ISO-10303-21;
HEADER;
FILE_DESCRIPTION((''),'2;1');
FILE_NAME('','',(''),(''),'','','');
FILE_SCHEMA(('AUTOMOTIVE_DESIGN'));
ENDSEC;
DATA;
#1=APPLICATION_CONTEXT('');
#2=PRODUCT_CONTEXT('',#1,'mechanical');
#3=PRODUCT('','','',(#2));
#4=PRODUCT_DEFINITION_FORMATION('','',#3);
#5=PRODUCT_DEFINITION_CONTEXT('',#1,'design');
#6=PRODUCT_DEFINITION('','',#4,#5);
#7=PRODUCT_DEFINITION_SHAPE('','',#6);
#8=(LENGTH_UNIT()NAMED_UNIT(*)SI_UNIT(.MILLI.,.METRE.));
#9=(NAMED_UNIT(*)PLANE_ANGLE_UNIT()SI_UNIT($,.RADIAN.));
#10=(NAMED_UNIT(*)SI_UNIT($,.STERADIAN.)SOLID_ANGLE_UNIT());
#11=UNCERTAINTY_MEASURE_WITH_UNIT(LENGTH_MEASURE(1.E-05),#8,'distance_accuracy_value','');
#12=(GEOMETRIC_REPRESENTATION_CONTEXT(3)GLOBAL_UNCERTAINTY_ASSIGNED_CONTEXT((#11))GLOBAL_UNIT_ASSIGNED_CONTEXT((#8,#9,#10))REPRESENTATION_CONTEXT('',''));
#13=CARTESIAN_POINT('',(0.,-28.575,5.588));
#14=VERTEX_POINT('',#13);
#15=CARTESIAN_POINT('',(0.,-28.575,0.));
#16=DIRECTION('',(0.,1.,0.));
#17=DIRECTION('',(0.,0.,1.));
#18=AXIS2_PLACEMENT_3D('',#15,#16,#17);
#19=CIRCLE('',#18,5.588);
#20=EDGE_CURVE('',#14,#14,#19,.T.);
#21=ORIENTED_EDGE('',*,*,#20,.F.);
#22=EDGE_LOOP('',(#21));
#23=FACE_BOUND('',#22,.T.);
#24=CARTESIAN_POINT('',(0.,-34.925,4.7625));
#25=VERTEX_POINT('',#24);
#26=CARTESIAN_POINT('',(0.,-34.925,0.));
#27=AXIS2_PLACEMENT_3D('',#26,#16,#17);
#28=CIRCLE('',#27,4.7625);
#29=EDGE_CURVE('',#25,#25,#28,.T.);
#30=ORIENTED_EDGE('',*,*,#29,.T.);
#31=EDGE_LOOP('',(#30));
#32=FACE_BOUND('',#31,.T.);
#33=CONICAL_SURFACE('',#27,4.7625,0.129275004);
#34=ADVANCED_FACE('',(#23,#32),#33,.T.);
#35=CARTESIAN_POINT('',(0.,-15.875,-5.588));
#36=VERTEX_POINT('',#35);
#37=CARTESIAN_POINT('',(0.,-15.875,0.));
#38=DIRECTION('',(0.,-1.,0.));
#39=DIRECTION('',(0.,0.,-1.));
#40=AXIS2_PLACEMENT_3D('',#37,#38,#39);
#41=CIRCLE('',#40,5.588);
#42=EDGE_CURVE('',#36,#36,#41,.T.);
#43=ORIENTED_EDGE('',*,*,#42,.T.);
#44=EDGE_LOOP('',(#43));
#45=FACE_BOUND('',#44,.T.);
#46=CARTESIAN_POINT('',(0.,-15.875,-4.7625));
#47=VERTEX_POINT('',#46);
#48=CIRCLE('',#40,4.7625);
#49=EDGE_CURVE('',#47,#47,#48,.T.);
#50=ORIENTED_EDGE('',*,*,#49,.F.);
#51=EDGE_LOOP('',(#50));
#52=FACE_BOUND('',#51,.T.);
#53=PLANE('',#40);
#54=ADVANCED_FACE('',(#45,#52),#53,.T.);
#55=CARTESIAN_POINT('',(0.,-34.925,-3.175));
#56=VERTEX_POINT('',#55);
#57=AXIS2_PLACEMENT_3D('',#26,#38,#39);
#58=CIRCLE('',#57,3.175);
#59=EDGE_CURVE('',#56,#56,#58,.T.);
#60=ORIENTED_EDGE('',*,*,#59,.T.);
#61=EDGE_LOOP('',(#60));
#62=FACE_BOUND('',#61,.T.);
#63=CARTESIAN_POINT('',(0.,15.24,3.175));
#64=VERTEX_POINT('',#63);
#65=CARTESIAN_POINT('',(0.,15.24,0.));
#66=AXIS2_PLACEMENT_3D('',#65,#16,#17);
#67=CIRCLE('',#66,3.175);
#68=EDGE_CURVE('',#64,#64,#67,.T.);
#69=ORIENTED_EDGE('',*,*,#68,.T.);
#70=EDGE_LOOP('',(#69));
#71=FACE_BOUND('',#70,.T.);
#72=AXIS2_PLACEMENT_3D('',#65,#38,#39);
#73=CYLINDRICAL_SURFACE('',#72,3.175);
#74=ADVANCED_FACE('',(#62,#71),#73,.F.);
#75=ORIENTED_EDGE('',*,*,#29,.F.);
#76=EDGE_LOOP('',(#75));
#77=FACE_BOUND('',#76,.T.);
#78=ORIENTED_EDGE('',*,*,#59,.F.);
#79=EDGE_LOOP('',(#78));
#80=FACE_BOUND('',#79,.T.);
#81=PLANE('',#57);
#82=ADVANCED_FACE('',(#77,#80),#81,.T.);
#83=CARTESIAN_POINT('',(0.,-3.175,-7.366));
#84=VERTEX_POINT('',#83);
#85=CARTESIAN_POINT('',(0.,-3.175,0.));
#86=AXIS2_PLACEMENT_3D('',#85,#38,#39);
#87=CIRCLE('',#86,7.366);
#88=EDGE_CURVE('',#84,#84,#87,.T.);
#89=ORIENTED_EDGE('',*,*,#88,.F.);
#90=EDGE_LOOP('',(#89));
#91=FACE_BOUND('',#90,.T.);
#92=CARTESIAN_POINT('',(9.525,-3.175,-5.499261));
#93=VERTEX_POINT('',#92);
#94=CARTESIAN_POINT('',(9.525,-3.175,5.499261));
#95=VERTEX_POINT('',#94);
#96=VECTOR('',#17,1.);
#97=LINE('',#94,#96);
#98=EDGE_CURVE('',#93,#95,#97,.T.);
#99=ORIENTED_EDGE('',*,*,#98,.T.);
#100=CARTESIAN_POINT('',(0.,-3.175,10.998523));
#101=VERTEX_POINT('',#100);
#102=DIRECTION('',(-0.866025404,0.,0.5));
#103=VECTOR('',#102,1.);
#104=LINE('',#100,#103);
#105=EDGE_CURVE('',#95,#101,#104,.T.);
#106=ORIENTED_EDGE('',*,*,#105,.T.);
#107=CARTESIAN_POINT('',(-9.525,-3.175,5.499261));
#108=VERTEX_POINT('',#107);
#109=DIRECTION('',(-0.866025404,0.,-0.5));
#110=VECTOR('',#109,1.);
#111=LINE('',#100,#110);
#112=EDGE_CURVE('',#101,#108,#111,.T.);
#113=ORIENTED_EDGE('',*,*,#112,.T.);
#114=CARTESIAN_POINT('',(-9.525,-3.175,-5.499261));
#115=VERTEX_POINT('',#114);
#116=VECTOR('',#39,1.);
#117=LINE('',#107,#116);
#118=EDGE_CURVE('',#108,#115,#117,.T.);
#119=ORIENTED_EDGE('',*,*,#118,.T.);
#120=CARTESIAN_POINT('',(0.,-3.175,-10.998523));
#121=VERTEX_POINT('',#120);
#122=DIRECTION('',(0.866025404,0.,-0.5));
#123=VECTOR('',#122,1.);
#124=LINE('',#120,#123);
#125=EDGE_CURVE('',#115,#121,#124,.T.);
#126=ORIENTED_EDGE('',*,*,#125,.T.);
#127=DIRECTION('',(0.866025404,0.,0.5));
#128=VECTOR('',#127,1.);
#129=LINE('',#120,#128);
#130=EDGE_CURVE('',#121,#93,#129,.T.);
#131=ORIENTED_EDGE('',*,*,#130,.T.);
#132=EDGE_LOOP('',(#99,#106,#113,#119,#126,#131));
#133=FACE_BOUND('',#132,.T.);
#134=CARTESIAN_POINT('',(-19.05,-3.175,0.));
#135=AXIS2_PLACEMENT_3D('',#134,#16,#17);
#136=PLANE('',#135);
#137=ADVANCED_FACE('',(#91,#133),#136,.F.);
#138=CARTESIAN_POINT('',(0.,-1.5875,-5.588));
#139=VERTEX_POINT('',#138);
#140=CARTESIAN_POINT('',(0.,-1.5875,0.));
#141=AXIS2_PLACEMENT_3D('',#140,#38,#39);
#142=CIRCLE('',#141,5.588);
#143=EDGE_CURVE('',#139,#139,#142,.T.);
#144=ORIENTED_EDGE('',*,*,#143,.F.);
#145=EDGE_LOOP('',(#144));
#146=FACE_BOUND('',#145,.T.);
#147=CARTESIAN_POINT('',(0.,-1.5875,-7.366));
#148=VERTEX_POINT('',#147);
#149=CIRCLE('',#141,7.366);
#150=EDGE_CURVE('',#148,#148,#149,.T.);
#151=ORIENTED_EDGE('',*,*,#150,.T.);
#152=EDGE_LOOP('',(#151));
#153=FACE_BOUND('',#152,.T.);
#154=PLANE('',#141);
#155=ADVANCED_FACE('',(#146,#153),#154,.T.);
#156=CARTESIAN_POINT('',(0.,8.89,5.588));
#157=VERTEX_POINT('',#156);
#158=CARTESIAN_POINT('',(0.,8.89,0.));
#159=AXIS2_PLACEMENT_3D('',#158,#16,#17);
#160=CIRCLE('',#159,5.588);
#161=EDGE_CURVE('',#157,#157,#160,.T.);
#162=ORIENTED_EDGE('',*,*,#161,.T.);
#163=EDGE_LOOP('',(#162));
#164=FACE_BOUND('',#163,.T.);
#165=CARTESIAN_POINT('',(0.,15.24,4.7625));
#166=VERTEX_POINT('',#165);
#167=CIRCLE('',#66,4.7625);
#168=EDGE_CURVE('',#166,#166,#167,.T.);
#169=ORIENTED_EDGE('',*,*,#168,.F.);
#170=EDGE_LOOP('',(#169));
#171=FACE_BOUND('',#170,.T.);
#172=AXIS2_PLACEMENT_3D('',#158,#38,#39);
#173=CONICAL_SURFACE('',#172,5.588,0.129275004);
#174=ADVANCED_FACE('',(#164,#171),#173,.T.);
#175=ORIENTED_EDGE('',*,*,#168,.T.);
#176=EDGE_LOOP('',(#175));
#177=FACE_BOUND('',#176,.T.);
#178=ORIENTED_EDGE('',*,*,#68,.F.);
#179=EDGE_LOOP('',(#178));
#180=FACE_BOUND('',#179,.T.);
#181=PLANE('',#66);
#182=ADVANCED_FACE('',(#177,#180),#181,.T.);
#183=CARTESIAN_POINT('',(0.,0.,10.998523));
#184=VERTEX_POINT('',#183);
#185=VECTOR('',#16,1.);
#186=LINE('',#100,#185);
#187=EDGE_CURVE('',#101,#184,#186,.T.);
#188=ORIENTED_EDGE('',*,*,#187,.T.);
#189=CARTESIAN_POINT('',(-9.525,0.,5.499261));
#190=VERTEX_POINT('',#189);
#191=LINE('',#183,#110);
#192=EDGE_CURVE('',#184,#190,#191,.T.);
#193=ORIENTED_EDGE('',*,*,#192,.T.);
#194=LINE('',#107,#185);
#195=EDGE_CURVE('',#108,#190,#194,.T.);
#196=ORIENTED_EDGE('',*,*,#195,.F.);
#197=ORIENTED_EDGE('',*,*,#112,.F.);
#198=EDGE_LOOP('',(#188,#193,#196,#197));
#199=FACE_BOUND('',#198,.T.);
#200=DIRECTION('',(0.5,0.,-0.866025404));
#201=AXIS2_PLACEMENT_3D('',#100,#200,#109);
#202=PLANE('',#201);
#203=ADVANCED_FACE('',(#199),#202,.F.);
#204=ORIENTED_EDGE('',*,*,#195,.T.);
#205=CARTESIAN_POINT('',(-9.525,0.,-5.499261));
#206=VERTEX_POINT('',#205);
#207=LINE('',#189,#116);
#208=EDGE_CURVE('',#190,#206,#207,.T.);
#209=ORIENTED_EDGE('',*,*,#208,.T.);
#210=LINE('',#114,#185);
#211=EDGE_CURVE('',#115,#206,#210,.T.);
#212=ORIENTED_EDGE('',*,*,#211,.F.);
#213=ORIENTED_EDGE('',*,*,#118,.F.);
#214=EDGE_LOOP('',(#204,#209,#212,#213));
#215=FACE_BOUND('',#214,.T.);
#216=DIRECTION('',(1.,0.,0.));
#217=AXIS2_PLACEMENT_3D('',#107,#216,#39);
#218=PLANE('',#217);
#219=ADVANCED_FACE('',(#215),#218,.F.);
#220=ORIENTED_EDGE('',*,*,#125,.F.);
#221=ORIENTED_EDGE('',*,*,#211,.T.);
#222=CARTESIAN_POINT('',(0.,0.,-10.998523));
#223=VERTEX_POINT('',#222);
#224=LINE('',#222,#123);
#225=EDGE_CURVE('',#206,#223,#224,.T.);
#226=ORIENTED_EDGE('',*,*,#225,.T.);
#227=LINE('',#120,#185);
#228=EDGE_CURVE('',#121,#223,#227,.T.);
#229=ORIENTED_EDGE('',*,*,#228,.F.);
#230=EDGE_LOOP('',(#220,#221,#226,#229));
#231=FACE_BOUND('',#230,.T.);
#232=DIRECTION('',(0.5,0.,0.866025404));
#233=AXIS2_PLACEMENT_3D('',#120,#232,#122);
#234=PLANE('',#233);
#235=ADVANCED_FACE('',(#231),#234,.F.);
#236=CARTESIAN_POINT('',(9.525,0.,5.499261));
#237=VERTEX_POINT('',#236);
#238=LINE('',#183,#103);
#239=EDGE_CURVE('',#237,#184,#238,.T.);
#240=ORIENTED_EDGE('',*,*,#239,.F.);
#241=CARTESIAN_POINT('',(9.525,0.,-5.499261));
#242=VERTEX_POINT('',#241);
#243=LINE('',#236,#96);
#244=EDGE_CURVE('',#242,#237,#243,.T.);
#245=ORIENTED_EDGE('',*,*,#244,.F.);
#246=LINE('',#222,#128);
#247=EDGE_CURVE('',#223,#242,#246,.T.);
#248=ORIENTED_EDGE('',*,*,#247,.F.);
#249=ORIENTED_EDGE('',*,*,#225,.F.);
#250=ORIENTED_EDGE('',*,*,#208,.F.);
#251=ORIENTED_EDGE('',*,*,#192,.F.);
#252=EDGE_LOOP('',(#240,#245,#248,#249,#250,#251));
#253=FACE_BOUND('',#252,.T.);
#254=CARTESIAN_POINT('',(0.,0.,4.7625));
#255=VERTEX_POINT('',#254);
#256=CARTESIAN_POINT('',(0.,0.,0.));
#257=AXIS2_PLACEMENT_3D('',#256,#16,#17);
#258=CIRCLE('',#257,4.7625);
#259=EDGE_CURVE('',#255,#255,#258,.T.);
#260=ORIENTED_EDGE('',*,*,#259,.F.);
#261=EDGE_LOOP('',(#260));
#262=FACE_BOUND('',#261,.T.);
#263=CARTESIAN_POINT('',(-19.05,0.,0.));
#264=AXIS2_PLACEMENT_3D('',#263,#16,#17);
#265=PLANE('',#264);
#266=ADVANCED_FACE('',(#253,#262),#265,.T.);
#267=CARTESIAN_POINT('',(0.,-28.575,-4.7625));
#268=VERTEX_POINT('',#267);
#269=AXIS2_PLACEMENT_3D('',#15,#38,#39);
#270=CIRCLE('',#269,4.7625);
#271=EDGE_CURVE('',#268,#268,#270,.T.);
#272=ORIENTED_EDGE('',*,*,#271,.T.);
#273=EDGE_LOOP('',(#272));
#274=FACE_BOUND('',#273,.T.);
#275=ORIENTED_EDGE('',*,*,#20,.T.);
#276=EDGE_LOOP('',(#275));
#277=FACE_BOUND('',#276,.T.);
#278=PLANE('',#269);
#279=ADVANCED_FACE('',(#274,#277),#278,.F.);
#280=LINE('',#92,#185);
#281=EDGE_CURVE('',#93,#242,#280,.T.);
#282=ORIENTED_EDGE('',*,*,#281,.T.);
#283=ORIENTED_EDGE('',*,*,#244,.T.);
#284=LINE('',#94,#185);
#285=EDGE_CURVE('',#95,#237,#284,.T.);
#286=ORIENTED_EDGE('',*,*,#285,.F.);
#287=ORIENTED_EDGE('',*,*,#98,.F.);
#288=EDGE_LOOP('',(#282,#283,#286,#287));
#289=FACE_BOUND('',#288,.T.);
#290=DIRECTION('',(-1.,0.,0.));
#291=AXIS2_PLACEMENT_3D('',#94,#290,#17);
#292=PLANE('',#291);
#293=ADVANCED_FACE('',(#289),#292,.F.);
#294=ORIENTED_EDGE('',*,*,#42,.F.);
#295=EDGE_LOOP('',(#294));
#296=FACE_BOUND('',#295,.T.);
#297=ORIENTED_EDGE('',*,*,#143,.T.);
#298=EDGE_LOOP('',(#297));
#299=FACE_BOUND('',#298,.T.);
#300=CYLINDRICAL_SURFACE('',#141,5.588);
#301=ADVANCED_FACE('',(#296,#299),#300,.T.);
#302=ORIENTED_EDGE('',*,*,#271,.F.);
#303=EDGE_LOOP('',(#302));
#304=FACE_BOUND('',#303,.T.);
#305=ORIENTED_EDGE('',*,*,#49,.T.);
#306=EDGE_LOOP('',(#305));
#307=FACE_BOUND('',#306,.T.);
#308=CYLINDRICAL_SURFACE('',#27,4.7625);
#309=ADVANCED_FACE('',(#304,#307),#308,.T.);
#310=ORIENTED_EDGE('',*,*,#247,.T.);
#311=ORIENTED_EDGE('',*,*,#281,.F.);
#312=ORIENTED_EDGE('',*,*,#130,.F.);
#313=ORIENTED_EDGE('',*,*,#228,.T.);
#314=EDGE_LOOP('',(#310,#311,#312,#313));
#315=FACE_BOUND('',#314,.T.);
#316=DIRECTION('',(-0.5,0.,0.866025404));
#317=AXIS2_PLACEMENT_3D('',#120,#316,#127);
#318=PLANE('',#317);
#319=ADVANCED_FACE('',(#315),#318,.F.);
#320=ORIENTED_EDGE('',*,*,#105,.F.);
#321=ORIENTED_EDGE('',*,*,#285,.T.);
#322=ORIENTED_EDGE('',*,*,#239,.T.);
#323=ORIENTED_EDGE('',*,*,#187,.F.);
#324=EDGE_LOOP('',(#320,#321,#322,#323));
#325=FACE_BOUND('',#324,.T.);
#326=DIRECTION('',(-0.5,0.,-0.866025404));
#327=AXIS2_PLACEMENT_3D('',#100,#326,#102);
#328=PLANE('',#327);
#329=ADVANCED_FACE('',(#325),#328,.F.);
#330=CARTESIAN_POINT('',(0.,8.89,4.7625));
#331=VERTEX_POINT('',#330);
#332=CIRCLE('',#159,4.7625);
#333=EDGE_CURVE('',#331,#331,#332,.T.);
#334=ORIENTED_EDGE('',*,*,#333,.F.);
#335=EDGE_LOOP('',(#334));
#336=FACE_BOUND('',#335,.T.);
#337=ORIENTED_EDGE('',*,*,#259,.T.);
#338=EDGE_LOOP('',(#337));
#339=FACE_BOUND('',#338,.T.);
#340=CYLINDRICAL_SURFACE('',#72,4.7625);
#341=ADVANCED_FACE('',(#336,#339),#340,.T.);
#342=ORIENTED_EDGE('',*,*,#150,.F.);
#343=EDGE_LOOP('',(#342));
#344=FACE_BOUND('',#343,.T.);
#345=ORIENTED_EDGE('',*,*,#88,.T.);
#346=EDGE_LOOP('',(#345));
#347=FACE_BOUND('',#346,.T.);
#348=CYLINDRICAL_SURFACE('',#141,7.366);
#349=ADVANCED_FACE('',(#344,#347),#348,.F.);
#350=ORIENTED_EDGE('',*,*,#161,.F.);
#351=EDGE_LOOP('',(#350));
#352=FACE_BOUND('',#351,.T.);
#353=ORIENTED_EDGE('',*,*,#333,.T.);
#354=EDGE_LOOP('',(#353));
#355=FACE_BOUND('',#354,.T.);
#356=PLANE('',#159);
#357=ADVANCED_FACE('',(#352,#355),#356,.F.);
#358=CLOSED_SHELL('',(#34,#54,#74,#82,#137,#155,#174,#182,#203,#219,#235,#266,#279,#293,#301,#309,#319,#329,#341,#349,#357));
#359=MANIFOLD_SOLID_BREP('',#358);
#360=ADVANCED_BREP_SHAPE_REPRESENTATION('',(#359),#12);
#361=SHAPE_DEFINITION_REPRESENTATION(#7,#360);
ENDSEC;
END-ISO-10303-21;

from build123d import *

# Parameters (mm, degrees)
SKETCH1_R          = 4.7625
SKETCH1_R_2        = 3.175
EXTRUDE1_DEPTH     = 15.24
SKETCH2_R          = 3.175
EXTRUDE2_DEPTH     = 3.175
SKETCH3_R          = 4.7625
SKETCH3_R_2        = 3.175
EXTRUDE3_DEPTH     = 31.75
SKETCH4_R          = 7.366
SKETCH4_R_2        = 5.588
CUT_EXTRUDE1_DEPTH = 1.5875
SKETCH5_R          = 5.588
SKETCH5_R_2        = 4.7625
EXTRUDE4_DEPTH     = 6.35
SKETCH8_R          = 5.588
SKETCH8_R_2        = 4.7625
EXTRUDE5_DEPTH     = 6.35
SKETCH9_R          = 5.588
SKETCH9_R_2        = 4.7625
EXTRUDE6_DEPTH     = 12.7


with BuildPart() as part:
    # Sketch1 → Extrude1 (new body)
    with BuildSketch(Plane(origin=(0, 0, 0), x_dir=(1, 0, 0), z_dir=(0, 1, 0))):
        Circle(SKETCH1_R)
        Circle(SKETCH1_R_2, mode=Mode.SUBTRACT)
    extrude(amount=EXTRUDE1_DEPTH)

    # Sketch2 → Extrude2 (add)
    with BuildSketch(Plane.XZ):
        Polygon((9.525, 5.499261314), (9.525, -5.499261314), (0, -10.998522628), (-9.525, -5.499261314), (-9.525, 5.499261314), (0, 10.998522628), align=None)
        Circle(SKETCH2_R, mode=Mode.SUBTRACT)
    extrude(amount=EXTRUDE2_DEPTH)

    # Sketch3 → Extrude3 (add)
    with BuildSketch(Plane.XZ.offset(3.175)):
        Circle(SKETCH3_R)
        Circle(SKETCH3_R_2, mode=Mode.SUBTRACT)
    extrude(amount=EXTRUDE3_DEPTH)

    # Sketch4 → Cut-Extrude1 (cut)
    with BuildSketch(Plane.XZ.offset(3.175)):
        Circle(SKETCH4_R)
        Circle(SKETCH4_R_2, mode=Mode.SUBTRACT)
    extrude(amount=-CUT_EXTRUDE1_DEPTH, mode=Mode.SUBTRACT)

    # Sketch5 → Extrude4 (add)
    with BuildSketch(Plane(origin=(0, 15.24, 0), x_dir=(-1, 0, 0), z_dir=(0, 1, 0))):
        Circle(SKETCH5_R)
        Circle(SKETCH5_R_2, mode=Mode.SUBTRACT)
    extrude(amount=-EXTRUDE4_DEPTH)

    # Sketch8 → Extrude5 (add)
    with BuildSketch(Plane.XZ.offset(34.925)):
        Circle(SKETCH8_R)
        Circle(SKETCH8_R_2, mode=Mode.SUBTRACT)
    extrude(amount=-EXTRUDE5_DEPTH)

    # Sketch7 → Cut-Revolve1 (revolve, cut)
    with BuildSketch(Plane(origin=(0, 0, 0), x_dir=(0, 0, -1), z_dir=(1, 0, 0))):
        Polygon((-5.588, 8.89), (-4.7625, 15.24), (-5.588, 15.24), align=None)
        Polygon((-5.588, -34.925), (-5.588, -28.575), (-4.7625, -34.925), align=None)
    revolve(axis=Axis((0, 15.24, 0), (0, -1, 0)), mode=Mode.SUBTRACT)

    # Sketch9 → Extrude6 (add)
    with BuildSketch(Plane.XZ.offset(3.175)):
        Circle(SKETCH9_R)
        Circle(SKETCH9_R_2, mode=Mode.SUBTRACT)
    extrude(amount=EXTRUDE6_DEPTH)


solid = part.part
